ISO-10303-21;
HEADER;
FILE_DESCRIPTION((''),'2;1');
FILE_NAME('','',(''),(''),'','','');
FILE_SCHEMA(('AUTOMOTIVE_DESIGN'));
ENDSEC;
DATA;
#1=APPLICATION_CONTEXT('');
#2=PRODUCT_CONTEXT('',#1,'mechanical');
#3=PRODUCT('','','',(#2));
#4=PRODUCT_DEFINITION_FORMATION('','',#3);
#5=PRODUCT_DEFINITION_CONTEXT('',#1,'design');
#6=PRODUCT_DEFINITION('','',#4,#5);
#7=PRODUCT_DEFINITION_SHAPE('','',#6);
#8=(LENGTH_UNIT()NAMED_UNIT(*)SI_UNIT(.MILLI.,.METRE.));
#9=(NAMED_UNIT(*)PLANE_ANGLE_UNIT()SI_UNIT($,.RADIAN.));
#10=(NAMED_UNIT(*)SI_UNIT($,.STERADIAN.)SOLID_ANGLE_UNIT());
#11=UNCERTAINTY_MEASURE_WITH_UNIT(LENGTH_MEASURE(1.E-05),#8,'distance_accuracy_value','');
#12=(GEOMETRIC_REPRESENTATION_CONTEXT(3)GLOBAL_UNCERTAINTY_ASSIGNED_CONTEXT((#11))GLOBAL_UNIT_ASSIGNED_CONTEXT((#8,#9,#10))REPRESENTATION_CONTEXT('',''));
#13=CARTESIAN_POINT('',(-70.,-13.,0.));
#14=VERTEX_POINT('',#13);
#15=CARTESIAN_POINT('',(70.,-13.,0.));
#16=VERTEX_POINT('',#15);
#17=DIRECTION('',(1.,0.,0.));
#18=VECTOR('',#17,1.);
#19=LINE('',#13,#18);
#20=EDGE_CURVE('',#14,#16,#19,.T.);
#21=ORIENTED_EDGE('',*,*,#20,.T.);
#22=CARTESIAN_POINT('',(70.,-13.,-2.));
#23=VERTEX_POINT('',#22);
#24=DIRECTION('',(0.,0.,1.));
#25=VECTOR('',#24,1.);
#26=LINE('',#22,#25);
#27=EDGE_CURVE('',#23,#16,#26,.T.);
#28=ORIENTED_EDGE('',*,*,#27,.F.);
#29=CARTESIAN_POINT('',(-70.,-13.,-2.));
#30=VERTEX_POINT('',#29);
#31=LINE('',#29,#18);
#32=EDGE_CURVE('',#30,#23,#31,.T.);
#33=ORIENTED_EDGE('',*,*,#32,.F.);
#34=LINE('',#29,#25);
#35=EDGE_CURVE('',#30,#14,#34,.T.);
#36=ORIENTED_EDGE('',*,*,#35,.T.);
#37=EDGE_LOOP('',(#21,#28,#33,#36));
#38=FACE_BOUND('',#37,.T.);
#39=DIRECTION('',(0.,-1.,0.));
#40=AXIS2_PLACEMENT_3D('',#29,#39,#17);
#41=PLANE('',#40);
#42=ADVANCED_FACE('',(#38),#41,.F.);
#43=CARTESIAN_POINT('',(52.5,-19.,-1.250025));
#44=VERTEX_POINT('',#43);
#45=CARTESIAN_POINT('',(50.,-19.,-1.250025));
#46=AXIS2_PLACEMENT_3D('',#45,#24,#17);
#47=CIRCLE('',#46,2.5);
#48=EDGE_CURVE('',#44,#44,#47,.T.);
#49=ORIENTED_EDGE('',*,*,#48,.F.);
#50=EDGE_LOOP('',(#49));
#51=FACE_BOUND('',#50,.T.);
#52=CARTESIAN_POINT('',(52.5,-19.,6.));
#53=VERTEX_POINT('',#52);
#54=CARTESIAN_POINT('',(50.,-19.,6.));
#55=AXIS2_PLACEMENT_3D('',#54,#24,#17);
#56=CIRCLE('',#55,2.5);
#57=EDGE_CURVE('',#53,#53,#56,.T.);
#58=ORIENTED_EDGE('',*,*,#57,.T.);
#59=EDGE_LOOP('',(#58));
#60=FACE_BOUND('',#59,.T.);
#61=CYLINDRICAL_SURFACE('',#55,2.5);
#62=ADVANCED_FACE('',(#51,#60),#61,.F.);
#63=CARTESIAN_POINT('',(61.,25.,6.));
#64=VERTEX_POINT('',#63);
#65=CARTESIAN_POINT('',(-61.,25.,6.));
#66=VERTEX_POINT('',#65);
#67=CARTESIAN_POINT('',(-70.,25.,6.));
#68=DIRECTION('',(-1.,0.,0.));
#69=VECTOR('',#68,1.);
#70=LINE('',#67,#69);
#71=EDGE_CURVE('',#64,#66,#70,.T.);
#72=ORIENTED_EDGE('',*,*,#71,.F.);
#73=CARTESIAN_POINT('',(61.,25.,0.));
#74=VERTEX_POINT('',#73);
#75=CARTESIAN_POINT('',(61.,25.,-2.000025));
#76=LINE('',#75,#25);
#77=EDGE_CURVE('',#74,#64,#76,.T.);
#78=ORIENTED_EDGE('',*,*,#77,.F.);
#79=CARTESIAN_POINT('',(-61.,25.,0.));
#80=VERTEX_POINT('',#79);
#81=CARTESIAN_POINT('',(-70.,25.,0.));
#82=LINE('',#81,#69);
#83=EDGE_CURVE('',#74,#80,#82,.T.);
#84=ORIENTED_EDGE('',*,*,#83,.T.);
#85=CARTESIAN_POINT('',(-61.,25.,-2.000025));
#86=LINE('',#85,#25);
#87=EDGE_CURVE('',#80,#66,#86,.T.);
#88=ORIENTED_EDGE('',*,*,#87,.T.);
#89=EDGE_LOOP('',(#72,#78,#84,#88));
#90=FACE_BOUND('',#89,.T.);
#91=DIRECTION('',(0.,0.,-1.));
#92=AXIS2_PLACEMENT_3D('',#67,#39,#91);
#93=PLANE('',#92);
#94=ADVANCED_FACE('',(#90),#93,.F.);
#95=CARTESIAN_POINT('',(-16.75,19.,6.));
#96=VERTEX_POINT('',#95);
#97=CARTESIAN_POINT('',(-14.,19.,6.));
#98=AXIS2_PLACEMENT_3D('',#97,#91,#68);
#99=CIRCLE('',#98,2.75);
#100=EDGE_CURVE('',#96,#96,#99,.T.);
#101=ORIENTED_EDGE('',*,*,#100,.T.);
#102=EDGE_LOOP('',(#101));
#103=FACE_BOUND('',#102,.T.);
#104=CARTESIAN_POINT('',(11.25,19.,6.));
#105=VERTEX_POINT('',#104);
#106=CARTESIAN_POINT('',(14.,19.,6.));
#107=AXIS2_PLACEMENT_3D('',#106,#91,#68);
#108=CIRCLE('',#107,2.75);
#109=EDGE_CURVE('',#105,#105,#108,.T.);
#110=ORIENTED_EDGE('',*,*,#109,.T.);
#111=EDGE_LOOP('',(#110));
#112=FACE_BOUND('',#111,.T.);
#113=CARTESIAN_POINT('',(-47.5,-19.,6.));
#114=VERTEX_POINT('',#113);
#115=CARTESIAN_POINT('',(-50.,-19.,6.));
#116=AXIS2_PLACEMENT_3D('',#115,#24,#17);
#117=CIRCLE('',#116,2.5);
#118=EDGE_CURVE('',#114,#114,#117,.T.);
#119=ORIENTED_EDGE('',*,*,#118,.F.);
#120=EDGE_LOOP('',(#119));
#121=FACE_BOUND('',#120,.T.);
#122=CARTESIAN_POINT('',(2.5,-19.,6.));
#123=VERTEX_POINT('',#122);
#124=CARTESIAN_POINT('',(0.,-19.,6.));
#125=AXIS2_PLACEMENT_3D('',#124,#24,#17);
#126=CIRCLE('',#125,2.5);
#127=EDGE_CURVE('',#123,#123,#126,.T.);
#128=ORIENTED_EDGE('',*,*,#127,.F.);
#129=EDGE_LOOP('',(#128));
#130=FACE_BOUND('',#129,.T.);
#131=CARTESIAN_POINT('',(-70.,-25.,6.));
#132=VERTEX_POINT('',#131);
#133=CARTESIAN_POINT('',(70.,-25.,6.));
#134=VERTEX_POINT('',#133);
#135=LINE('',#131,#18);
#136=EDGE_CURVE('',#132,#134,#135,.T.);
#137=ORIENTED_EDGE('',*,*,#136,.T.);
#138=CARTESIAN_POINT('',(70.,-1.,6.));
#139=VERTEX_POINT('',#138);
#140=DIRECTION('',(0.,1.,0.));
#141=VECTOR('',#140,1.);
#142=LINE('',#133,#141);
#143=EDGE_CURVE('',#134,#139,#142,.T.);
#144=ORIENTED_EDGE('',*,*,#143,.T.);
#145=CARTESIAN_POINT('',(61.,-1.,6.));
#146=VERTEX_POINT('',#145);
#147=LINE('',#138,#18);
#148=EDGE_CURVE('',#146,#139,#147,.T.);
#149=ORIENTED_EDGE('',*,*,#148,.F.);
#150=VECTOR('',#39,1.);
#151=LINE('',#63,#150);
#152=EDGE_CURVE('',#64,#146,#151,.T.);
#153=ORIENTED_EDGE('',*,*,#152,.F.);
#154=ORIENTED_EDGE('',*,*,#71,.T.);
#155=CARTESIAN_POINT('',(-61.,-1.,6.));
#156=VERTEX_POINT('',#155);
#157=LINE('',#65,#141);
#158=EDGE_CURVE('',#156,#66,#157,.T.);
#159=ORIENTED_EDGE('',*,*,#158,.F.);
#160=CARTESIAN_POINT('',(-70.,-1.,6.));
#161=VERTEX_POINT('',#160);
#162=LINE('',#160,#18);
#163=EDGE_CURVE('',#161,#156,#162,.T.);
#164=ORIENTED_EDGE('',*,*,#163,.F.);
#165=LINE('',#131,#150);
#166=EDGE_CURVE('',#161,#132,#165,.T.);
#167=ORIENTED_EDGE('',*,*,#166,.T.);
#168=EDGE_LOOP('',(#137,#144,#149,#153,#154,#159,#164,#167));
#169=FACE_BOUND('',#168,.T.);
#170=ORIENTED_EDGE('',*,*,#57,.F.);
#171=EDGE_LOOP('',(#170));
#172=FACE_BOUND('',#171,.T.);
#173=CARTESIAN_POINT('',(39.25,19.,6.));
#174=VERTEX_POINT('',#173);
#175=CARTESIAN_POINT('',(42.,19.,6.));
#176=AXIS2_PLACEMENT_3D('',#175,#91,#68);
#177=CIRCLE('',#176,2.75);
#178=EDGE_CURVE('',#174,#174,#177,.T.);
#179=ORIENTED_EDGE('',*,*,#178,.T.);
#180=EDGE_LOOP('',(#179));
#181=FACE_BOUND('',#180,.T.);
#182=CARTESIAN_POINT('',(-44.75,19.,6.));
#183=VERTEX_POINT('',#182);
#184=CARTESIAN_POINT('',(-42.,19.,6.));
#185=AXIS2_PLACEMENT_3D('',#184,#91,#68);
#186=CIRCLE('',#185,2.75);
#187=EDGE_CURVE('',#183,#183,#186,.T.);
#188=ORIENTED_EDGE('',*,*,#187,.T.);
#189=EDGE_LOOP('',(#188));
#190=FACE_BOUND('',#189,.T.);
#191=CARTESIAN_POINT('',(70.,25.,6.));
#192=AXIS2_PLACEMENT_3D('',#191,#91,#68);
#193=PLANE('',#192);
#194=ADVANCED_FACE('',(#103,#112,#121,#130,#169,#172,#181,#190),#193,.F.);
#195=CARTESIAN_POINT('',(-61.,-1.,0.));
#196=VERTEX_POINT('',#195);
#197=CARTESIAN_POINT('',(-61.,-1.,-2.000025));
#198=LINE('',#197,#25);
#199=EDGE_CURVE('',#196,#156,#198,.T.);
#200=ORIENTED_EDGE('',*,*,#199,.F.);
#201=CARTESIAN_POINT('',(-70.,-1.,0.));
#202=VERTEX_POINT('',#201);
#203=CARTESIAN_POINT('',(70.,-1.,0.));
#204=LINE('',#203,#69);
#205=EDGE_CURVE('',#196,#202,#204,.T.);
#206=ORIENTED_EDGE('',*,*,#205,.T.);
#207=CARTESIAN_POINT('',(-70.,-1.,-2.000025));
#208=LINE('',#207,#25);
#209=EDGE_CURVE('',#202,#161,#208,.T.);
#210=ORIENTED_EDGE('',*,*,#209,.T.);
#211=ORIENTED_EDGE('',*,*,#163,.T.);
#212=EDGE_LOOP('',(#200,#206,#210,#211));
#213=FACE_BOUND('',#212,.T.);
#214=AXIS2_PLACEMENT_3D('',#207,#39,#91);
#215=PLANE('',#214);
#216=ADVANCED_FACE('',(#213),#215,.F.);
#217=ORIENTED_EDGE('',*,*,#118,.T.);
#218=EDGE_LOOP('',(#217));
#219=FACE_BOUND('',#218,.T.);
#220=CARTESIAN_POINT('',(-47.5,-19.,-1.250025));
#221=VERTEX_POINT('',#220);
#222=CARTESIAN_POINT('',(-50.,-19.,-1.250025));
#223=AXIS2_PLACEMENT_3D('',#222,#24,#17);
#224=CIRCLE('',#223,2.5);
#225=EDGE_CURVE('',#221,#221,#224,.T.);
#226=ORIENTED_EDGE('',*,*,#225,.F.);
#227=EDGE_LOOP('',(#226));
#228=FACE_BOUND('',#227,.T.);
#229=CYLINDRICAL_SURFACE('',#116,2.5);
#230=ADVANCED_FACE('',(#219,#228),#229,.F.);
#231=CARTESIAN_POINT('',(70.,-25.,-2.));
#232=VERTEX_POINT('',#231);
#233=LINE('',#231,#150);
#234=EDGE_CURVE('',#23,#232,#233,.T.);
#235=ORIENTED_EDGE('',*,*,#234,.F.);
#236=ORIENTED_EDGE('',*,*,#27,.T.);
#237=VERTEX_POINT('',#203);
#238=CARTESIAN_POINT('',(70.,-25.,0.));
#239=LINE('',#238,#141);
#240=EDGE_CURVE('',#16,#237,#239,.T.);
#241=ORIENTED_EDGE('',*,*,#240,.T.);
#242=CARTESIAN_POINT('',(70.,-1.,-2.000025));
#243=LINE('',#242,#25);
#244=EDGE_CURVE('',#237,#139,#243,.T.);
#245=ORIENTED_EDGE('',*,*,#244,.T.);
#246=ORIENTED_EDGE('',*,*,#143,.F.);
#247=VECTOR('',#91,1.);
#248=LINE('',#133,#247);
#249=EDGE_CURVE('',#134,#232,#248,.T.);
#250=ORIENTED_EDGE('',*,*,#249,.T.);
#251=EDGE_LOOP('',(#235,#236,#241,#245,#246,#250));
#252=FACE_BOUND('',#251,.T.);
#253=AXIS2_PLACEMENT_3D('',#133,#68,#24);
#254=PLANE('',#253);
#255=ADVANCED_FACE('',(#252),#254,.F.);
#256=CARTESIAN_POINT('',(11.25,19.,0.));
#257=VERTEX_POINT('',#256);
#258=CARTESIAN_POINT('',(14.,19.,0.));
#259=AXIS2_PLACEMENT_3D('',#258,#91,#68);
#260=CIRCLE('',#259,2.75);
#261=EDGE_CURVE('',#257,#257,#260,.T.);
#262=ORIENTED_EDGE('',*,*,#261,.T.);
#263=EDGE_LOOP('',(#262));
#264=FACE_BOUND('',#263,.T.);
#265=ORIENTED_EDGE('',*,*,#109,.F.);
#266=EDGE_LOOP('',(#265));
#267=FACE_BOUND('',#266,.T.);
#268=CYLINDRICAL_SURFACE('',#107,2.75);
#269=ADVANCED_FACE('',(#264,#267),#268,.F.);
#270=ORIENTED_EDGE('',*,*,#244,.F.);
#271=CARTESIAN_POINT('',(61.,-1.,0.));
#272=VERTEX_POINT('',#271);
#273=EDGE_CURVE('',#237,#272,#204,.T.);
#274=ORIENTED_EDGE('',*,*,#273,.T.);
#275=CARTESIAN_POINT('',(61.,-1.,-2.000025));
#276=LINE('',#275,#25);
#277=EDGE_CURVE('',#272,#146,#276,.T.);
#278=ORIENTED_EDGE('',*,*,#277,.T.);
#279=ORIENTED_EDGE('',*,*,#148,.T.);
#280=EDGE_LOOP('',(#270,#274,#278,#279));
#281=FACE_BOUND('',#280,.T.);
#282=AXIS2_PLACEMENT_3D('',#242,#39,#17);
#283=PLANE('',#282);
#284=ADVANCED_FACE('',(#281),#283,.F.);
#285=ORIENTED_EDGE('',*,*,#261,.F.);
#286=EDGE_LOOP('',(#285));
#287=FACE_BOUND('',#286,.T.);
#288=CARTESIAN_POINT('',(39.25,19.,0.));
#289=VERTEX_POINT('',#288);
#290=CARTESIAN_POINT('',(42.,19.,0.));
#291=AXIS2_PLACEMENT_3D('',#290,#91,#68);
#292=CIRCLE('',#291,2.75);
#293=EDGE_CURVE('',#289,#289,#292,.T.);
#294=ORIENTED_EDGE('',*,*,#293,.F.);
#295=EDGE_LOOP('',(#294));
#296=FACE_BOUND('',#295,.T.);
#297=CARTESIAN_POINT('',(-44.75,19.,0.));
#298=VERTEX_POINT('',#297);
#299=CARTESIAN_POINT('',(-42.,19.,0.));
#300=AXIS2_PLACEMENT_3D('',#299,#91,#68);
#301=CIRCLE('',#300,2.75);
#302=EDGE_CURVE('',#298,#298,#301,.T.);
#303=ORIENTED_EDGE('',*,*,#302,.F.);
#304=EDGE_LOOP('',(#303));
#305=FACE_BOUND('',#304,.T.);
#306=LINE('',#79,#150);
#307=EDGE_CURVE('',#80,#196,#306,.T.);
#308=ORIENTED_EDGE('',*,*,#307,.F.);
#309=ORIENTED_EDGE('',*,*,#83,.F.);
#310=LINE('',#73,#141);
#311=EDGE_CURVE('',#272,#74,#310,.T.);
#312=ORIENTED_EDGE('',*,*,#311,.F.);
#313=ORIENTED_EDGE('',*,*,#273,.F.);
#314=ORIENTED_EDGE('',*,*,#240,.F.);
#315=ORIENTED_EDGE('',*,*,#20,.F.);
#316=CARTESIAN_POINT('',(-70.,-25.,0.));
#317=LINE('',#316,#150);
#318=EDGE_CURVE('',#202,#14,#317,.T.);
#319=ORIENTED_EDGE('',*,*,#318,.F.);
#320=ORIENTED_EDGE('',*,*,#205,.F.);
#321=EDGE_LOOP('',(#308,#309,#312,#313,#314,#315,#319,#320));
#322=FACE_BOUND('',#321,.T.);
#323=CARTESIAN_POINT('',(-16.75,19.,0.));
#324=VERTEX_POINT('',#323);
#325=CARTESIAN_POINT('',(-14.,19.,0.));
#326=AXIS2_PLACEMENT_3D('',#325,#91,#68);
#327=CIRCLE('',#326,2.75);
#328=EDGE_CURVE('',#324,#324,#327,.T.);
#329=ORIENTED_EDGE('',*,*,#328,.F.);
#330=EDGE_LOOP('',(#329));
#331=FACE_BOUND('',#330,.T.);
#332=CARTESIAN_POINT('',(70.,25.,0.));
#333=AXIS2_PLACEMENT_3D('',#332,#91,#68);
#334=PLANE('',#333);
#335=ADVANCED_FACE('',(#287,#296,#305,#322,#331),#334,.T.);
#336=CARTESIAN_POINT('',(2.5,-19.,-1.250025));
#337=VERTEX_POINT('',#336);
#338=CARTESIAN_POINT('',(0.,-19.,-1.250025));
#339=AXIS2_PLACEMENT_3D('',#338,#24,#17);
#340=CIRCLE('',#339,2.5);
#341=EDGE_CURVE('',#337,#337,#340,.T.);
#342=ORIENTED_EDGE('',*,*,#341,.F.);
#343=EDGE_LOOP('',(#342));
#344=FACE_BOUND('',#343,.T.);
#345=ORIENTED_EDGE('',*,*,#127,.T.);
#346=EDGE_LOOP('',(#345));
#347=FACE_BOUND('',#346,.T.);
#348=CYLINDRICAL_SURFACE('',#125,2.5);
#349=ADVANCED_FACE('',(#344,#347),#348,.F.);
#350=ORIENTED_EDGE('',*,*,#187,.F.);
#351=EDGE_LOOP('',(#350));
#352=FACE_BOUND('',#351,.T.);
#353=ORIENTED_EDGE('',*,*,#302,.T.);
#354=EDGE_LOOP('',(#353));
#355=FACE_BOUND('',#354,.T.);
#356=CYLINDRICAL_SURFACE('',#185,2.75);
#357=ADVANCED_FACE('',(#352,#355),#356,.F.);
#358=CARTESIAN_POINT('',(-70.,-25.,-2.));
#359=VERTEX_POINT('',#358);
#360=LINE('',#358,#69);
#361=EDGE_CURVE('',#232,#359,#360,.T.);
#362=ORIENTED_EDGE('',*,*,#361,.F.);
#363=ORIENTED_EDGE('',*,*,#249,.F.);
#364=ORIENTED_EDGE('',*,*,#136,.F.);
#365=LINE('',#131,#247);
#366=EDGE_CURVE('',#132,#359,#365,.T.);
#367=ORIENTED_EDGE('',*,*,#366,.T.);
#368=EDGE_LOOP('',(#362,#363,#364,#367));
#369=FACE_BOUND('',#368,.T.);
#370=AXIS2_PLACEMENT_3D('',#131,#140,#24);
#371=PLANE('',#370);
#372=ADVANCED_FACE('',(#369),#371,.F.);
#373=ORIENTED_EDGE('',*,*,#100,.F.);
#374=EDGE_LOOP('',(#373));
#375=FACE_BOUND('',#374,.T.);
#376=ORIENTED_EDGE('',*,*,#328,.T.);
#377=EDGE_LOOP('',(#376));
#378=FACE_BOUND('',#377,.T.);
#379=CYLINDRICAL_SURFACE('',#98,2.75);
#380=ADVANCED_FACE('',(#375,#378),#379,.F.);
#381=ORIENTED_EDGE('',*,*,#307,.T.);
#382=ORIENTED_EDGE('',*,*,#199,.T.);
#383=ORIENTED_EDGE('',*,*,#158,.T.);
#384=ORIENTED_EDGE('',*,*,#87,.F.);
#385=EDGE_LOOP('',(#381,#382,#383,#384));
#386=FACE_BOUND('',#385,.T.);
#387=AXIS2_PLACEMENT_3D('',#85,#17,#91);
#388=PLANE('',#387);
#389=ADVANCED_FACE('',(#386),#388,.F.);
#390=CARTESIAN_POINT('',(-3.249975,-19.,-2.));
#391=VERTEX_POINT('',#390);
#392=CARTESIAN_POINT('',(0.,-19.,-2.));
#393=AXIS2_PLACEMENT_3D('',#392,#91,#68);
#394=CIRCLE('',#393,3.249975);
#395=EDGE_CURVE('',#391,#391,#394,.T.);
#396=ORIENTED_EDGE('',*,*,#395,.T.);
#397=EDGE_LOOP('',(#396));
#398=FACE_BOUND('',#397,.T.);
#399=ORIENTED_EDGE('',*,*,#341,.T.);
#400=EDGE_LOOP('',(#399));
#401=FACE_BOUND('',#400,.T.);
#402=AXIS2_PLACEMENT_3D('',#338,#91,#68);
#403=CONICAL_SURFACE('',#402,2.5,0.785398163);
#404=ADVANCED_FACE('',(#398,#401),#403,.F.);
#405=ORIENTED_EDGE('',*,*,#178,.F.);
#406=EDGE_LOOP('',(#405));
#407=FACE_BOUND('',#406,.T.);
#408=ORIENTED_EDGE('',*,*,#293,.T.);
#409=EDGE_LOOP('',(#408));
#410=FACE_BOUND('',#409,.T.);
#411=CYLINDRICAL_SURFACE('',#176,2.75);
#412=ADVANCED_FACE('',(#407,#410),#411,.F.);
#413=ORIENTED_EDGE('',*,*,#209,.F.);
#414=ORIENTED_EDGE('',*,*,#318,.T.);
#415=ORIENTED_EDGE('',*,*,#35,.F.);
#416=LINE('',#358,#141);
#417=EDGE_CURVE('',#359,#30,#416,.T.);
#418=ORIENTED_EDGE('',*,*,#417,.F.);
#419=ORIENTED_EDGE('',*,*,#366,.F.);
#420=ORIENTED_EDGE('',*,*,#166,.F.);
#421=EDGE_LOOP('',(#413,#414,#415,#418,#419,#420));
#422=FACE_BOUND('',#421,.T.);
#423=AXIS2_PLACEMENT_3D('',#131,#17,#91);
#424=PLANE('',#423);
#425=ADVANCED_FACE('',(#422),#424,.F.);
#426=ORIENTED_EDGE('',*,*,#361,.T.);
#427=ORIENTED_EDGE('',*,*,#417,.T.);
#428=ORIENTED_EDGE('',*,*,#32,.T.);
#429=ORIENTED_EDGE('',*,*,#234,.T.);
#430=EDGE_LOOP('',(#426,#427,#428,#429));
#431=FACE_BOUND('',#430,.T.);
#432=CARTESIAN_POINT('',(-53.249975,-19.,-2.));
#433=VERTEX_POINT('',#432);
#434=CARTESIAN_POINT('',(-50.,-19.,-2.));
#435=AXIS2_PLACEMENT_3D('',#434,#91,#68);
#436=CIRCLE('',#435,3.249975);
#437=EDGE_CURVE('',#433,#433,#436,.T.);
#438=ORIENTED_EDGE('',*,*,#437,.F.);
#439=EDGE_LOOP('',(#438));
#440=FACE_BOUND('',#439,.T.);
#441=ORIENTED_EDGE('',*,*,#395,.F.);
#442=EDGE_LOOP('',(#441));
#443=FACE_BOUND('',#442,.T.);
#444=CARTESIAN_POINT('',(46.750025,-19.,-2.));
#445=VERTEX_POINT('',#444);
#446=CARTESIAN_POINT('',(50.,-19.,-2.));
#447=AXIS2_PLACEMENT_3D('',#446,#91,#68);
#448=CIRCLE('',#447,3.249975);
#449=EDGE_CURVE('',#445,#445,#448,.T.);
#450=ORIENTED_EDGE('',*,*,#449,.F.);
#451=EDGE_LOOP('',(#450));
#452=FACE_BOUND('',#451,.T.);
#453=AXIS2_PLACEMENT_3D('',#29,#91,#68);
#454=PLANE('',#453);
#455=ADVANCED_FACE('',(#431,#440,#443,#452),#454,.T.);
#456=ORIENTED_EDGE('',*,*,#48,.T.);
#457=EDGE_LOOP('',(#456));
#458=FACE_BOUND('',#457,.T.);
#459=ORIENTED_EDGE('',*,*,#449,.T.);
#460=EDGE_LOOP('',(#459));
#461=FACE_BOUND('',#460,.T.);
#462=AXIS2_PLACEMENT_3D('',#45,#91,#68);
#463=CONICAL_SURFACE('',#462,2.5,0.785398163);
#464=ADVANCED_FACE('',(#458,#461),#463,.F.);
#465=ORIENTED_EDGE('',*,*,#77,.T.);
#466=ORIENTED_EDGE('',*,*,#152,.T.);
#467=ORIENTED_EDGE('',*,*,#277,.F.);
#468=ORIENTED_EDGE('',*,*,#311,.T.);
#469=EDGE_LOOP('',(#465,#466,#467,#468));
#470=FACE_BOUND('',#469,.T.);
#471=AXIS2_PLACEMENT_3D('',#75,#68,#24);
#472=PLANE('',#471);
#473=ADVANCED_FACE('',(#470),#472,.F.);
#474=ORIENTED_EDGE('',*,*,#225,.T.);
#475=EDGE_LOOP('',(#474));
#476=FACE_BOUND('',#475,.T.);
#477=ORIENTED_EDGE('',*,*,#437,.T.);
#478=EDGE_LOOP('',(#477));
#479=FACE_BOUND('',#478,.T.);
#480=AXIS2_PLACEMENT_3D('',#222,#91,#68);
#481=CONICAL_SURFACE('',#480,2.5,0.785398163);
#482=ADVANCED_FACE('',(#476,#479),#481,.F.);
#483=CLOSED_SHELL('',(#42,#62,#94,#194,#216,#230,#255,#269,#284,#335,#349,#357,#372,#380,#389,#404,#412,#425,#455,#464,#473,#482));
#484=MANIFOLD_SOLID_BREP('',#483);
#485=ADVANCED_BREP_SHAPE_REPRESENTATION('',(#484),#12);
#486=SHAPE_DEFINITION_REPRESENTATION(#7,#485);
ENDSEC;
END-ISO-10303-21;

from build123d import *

# Parameters (mm, degrees)
SKETCH_1_W          = 140
SKETCH_1_H          = 50
EXTRUDE_1_DEPTH     = 6
SKETCH_6_R          = 2.75
CUT_EXTRUDE_4_DEPTH = 7
SKETCH_5_W          = 140
SKETCH_5_H          = 12
EXTRUDE_3_DEPTH     = 2
M6X1_01_AT_2_COUNT  = 2
M6X1_01_AT_2_PITCH  = 50
M6X1_01_AT_3_COUNT  = 2
M6X1_01_AT_3_PITCH  = 50
SKETCH_4_W          = 9
SKETCH_4_H          = 26
CUT_EXTRUDE_2_DEPTH = 9


with BuildPart() as part:
    # Эскиз1 → Вытянуть1 (new body)
    with BuildSketch(Plane.XY):
        Rectangle(SKETCH_1_W, SKETCH_1_H)
    extrude(amount=EXTRUDE_1_DEPTH)

    # Эскиз6 → Вытянуть4 (cut, through all)
    with BuildSketch(Plane(origin=(0, 0, 0), x_dir=(-1, 0, 0), z_dir=(0, 0, -1))):
        with Locations((42, 19)):
            Circle(SKETCH_6_R)
        with Locations((14, 19)):
            Circle(SKETCH_6_R)
        with Locations((-14, 19)):
            Circle(SKETCH_6_R)
        with Locations((-42, 19)):
            Circle(SKETCH_6_R)
    extrude(amount=-CUT_EXTRUDE_4_DEPTH, mode=Mode.SUBTRACT)

    # Эскиз5 → Вытянуть3 (add)
    with BuildSketch(Plane(origin=(0, 0, 0), x_dir=(-1, 0, 0), z_dir=(0, 0, -1))):
        with Locations((0, -19)):
            Rectangle(SKETCH_5_W, SKETCH_5_H)
    extrude(amount=EXTRUDE_3_DEPTH)

    # Эскиз2 → Отверстие обработанное метчиком M6x1.01 (revolve, cut)
    with BuildSketch(Plane(origin=(0, -19, 6), x_dir=(0, -1, 0), z_dir=(1, 0, 0))):
        Polygon((0, 0), (0, 8.000025), (3.25, 8.000025), (2.5, 7.250025), (2.5, 0), align=None)
    m6x1_01 = revolve(axis=Axis((0, -19, 12.35), (0, 0, -1)), mode=Mode.SUBTRACT)

    # Отверстие обработанное метчиком M6x1.01 at 2: Отверстие обработанное метчиком M6x1.01 ×2
    with Locations(*[(-i * M6X1_01_AT_2_PITCH, 0, 0) for i in range(1, M6X1_01_AT_2_COUNT)]):
        add(m6x1_01, mode=Mode.SUBTRACT)

    # Отверстие обработанное метчиком M6x1.01 at 3: Отверстие обработанное метчиком M6x1.01 ×2
    with Locations(*[(i * M6X1_01_AT_3_PITCH, 0, 0) for i in range(1, M6X1_01_AT_3_COUNT)]):
        add(m6x1_01, mode=Mode.SUBTRACT)

    # Эскиз4 → Вытянуть2 (cut, through all)
    with BuildSketch(Plane.XY.offset(6)):
        with Locations((-65.5, 12)):
            Rectangle(SKETCH_4_W, SKETCH_4_H)
        with Locations((65.5, 12)):
            Rectangle(SKETCH_4_W, SKETCH_4_H)
    extrude(amount=-CUT_EXTRUDE_2_DEPTH, mode=Mode.SUBTRACT)


solid = part.part
